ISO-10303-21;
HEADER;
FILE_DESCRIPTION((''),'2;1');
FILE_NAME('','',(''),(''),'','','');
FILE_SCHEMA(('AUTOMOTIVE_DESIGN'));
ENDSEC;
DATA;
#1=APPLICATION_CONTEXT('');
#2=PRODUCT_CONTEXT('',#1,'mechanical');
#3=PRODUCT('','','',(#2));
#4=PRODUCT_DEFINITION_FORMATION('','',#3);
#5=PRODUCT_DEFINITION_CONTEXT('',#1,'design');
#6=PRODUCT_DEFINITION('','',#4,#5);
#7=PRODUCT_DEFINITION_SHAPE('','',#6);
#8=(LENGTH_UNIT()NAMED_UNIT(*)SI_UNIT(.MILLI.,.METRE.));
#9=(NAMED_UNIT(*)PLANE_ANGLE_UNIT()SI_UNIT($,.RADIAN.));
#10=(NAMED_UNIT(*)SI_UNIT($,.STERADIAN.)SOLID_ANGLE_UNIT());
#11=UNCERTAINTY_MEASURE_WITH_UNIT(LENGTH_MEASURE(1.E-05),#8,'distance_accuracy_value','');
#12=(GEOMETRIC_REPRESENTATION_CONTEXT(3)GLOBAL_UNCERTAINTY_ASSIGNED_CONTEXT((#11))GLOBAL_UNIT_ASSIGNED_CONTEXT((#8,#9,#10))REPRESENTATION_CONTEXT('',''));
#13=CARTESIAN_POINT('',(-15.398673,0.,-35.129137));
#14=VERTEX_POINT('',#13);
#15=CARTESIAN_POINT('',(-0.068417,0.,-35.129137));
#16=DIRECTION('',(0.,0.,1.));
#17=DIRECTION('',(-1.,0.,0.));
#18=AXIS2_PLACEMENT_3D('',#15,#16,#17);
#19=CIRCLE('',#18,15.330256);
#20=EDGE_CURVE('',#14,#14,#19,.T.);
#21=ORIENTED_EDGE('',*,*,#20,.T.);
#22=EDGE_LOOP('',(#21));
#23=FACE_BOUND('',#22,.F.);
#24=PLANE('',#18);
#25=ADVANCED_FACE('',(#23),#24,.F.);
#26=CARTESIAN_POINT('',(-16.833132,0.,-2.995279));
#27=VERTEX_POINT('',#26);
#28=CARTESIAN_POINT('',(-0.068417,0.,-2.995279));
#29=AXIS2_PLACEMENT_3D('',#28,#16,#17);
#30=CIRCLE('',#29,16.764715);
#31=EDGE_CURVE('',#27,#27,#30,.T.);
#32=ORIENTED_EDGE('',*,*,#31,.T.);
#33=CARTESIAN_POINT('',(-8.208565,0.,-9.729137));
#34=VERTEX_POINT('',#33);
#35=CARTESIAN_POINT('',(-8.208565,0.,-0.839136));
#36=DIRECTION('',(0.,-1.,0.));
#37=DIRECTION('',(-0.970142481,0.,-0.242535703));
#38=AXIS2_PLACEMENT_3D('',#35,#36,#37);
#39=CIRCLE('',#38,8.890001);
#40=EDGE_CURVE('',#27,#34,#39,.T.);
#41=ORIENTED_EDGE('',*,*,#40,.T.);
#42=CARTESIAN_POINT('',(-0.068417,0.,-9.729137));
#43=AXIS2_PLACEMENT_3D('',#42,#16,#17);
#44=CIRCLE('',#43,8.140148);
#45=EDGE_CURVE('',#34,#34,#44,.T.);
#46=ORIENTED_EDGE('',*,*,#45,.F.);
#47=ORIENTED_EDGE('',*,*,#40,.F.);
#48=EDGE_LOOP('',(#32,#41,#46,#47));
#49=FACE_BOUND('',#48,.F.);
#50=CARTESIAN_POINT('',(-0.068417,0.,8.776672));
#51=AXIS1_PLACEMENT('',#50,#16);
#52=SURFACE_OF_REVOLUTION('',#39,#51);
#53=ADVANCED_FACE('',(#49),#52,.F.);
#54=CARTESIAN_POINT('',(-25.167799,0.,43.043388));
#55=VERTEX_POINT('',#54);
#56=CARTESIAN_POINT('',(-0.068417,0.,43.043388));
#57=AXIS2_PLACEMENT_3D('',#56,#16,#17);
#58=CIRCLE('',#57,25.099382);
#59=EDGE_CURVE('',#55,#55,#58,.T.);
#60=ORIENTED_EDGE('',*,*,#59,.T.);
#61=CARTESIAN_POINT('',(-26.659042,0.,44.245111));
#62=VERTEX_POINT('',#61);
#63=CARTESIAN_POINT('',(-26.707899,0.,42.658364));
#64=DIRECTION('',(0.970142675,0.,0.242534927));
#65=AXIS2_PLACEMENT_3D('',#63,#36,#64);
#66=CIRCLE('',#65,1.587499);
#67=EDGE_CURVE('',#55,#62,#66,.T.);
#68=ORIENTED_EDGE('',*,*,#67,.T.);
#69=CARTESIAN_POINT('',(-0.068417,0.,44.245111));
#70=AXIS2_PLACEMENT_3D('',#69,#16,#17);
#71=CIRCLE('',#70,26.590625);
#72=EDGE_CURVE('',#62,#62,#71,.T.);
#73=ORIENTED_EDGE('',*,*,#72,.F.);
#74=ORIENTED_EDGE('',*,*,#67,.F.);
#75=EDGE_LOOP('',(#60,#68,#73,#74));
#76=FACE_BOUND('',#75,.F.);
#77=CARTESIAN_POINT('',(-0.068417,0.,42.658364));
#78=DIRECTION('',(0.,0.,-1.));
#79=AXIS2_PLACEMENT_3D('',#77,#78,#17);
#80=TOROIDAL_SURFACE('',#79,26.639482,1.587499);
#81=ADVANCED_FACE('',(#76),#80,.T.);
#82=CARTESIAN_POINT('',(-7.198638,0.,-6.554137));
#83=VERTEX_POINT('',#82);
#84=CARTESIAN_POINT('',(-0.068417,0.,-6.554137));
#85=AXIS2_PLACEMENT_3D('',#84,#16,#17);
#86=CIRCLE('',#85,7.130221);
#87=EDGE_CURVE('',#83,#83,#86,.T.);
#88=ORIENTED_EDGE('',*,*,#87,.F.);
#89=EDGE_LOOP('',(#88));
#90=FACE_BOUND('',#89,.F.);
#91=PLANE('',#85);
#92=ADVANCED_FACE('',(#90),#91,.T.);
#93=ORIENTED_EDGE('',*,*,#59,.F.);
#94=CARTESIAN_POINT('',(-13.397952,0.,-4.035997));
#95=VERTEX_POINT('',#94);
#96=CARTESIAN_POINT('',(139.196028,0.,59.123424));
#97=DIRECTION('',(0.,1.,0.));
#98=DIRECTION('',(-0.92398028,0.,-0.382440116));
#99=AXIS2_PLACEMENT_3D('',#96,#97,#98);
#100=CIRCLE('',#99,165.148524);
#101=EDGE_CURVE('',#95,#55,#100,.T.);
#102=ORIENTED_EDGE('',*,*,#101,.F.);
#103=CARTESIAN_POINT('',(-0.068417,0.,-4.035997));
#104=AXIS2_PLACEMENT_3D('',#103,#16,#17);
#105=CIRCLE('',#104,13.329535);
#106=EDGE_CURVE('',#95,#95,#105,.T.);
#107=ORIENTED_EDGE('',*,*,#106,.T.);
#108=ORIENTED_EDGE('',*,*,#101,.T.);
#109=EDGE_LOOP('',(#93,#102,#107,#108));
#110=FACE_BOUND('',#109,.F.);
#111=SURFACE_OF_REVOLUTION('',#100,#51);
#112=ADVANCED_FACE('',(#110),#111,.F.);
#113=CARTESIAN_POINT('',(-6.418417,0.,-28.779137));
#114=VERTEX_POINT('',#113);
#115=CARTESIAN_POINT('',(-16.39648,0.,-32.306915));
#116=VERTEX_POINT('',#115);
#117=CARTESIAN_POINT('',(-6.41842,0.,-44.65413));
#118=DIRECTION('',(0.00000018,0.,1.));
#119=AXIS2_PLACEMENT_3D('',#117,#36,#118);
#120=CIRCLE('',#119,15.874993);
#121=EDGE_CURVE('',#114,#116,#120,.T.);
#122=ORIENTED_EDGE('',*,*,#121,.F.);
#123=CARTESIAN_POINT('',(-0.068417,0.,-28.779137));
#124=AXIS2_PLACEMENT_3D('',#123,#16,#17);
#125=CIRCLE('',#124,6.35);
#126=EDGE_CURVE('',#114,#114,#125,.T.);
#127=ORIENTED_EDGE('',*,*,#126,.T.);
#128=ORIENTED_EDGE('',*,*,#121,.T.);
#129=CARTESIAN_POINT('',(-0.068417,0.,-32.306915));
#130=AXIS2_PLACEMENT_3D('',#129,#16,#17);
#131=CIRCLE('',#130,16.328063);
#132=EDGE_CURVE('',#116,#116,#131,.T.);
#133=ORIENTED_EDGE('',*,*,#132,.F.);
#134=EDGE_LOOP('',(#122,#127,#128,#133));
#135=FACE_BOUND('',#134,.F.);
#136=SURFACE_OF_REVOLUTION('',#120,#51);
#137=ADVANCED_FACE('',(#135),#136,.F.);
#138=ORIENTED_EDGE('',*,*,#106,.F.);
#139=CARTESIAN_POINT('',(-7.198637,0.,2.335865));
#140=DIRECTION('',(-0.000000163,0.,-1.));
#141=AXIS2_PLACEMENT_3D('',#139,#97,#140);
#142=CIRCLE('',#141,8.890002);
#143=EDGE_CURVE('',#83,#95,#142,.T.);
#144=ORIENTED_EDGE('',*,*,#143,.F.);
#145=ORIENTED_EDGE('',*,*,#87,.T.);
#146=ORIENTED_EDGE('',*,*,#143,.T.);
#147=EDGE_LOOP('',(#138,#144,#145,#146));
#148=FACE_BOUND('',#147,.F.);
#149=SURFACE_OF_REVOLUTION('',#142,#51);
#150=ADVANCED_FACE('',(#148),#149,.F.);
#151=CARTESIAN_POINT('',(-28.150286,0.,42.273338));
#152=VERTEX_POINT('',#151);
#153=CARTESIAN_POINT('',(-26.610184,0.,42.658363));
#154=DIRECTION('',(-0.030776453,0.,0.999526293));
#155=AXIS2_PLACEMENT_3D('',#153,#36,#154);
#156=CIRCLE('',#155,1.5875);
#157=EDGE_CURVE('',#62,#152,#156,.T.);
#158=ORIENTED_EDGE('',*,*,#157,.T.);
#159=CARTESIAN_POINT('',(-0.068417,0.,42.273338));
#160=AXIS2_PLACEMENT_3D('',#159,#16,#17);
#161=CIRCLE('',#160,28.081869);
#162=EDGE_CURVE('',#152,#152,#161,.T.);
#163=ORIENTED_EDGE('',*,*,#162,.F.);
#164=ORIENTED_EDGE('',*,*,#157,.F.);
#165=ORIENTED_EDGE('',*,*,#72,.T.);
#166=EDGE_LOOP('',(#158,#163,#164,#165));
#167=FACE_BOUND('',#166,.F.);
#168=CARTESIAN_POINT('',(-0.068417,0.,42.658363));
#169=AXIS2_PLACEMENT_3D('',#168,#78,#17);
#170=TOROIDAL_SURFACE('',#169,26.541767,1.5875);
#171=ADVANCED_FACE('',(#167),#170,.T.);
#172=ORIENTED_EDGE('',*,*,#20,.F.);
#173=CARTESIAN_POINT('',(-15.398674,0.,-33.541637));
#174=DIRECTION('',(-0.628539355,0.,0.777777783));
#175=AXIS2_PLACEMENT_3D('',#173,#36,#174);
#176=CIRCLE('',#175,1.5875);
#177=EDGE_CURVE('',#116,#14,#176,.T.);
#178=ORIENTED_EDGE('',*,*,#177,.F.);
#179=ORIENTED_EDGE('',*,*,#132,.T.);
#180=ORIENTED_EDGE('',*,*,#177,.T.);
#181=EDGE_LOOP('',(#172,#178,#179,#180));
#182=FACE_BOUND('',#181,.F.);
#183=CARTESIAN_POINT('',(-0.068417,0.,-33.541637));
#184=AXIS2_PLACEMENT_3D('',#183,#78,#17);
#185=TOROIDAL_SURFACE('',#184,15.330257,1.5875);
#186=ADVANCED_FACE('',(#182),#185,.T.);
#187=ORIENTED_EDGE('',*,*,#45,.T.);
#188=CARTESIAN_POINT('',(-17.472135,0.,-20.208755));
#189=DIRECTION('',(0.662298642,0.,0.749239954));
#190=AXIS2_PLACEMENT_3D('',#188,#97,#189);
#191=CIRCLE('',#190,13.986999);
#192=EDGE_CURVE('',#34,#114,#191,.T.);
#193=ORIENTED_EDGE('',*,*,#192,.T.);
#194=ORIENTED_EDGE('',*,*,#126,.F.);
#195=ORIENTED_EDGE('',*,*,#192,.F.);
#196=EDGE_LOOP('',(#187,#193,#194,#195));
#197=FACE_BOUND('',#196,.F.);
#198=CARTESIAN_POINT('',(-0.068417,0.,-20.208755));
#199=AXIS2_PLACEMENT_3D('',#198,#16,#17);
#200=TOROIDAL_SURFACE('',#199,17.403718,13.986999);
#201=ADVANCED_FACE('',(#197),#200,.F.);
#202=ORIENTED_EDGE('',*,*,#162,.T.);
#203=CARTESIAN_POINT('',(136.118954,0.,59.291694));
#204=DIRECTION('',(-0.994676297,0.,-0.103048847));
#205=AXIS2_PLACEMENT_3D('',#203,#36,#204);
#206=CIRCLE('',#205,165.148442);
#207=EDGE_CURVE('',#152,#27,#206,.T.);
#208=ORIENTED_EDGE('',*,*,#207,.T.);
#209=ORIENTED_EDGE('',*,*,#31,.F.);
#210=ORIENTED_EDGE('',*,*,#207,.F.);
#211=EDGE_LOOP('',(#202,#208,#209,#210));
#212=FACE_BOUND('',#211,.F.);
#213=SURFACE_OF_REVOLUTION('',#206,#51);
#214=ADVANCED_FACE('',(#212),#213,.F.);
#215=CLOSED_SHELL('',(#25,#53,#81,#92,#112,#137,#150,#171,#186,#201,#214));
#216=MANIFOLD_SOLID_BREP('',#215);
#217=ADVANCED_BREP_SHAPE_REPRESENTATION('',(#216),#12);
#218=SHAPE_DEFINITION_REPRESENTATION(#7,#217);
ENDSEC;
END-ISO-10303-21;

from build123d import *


with BuildPart() as f1:
    # F0 (on Front) → F1 (revolve)
    with BuildSketch(Plane.XZ):
        with BuildLine():
            ThreePointArc((-25.167799, 43.043388), (-25.711791, 43.894455), (-26.659042, 44.245111))
            ThreePointArc((-26.659042, 44.245111), (-27.876348, 43.615957), (-28.150286, 42.273338))
            ThreePointArc((-28.150286, 42.273338), (-24.098568, 19.237315), (-16.833132, -2.995279))
            ThreePointArc((-16.833132, -2.995279), (-13.67958, -7.846283), (-8.208565, -9.729137))
            ThreePointArc((-8.208565, -9.729137), (-3.546487, -18.900148), (-6.418417, -28.779137))
            ThreePointArc((-6.418417, -28.779137), (-11.710084, -29.687043), (-16.39648, -32.306915))
            ThreePointArc((-16.39648, -32.306915), (-16.895383, -34.070804), (-15.398673, -35.129137))
            Line((-15.398673, -35.129137), (-0.068417, -35.129137))
            Line((-0.068417, -35.129137), (-0.068417, -6.554137))
            Line((-0.068417, -6.554137), (-7.198638, -6.554137))
            ThreePointArc((-7.198638, -6.554137), (-10.544252, -5.900578), (-13.397952, -4.035997))
            ThreePointArc((-13.397952, -4.035997), (-21.021574, 19.069021), (-25.167799, 43.043388))
        make_face()
    revolve(axis=Axis((-0.068417, 0, 8.776672), (0, 0, 1)))


solid = f1.part
